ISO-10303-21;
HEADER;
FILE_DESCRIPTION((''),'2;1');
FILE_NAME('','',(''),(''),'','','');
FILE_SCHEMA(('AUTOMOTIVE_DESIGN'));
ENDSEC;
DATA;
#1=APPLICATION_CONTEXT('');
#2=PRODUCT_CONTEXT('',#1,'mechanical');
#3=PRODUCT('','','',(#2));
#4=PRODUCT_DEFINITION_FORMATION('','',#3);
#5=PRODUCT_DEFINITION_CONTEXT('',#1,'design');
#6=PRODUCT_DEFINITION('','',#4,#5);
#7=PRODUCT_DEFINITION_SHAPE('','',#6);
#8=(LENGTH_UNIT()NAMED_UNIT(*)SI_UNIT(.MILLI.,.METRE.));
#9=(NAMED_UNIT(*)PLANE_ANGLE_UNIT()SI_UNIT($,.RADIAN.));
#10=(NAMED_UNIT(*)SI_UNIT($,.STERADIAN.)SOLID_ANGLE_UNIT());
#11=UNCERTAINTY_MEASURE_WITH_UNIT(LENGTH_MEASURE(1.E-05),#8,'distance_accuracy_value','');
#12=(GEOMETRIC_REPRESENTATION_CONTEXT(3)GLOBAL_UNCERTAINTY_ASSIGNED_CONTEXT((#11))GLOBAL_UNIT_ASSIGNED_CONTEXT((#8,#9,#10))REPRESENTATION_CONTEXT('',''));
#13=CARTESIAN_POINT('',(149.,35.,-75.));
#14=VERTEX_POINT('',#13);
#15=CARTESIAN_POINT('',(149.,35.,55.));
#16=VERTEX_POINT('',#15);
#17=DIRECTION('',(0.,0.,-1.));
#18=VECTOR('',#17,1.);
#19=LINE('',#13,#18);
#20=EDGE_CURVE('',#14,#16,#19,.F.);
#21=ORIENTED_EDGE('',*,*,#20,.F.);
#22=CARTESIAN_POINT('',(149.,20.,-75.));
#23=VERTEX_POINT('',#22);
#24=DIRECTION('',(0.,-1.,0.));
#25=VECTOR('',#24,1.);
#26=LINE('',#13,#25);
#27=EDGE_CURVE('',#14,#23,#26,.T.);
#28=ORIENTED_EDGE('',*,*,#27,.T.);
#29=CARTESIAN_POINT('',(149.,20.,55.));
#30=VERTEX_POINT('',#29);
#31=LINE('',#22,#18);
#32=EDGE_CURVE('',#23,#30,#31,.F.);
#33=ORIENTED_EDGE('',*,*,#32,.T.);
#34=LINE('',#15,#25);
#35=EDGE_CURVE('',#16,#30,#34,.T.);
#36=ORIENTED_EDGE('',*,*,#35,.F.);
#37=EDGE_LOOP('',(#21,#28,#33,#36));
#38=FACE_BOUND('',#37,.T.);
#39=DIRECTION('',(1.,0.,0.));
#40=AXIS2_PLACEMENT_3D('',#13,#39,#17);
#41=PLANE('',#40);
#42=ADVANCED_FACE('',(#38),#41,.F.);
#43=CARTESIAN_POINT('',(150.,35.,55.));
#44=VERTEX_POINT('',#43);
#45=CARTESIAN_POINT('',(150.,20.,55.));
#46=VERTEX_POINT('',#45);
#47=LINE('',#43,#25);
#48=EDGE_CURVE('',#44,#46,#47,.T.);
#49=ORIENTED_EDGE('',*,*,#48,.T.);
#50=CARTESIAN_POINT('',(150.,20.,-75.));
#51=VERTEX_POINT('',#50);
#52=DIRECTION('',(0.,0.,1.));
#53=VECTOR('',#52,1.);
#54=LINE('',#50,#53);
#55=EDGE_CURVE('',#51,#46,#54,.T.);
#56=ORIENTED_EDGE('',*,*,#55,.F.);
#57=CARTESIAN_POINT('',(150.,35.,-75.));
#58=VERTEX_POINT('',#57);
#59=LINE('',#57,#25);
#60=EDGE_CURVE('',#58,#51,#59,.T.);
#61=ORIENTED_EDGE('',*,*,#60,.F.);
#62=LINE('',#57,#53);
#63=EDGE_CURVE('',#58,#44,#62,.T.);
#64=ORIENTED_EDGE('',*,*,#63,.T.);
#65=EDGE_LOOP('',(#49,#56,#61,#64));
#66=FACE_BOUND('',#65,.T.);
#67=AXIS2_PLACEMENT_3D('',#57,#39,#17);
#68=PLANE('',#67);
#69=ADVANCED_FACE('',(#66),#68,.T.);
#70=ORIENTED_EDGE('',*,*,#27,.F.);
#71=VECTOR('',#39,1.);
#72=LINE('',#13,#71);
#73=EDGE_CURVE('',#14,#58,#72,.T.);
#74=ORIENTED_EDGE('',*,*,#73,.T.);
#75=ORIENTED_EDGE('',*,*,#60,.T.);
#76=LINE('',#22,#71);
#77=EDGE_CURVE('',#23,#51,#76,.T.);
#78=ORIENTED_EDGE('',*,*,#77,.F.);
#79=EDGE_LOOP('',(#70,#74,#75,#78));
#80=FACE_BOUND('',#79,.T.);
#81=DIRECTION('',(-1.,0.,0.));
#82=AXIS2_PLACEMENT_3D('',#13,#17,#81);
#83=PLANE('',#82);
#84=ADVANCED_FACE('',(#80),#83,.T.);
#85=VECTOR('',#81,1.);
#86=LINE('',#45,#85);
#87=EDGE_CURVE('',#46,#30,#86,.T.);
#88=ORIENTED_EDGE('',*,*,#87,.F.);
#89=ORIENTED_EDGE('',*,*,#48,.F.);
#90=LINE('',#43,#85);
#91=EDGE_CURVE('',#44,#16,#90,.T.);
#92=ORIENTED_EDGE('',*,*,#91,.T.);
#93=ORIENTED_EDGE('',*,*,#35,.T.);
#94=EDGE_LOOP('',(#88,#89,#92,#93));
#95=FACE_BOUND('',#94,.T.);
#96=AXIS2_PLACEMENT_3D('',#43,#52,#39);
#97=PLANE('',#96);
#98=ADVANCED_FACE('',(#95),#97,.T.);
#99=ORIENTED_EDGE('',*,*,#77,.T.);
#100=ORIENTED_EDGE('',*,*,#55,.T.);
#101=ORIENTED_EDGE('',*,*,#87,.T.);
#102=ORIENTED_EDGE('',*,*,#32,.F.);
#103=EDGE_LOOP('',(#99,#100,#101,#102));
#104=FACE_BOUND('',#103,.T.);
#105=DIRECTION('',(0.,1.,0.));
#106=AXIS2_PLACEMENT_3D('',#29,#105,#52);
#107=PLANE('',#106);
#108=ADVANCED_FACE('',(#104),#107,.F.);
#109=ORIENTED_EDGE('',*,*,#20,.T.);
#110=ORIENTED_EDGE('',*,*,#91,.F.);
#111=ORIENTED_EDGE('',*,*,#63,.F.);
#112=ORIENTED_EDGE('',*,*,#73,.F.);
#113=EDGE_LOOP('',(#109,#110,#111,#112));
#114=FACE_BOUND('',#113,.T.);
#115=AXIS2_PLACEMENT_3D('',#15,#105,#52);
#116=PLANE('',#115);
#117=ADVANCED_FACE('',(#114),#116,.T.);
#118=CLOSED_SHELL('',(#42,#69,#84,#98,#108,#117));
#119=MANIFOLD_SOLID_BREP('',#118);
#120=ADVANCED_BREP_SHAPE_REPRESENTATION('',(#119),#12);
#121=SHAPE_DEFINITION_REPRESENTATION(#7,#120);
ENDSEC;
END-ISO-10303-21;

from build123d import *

# Parameters (mm, degrees)
SKIZZE1_W                    = 1
SKIZZE1_H                    = 130
LINEAR_AUSTRAGEN_D_NN1_DEPTH = 15


with BuildPart() as part:
    # Skizze1 → Linear-Austragen-Dünn1 (new body)
    with BuildSketch(Plane(origin=(0, 20, 0), x_dir=(1, 0, 0), z_dir=(0, 1, 0))):
        with Locations((149.5, 10)):
            Rectangle(SKIZZE1_W, SKIZZE1_H)
    extrude(amount=LINEAR_AUSTRAGEN_D_NN1_DEPTH)


solid = part.part
